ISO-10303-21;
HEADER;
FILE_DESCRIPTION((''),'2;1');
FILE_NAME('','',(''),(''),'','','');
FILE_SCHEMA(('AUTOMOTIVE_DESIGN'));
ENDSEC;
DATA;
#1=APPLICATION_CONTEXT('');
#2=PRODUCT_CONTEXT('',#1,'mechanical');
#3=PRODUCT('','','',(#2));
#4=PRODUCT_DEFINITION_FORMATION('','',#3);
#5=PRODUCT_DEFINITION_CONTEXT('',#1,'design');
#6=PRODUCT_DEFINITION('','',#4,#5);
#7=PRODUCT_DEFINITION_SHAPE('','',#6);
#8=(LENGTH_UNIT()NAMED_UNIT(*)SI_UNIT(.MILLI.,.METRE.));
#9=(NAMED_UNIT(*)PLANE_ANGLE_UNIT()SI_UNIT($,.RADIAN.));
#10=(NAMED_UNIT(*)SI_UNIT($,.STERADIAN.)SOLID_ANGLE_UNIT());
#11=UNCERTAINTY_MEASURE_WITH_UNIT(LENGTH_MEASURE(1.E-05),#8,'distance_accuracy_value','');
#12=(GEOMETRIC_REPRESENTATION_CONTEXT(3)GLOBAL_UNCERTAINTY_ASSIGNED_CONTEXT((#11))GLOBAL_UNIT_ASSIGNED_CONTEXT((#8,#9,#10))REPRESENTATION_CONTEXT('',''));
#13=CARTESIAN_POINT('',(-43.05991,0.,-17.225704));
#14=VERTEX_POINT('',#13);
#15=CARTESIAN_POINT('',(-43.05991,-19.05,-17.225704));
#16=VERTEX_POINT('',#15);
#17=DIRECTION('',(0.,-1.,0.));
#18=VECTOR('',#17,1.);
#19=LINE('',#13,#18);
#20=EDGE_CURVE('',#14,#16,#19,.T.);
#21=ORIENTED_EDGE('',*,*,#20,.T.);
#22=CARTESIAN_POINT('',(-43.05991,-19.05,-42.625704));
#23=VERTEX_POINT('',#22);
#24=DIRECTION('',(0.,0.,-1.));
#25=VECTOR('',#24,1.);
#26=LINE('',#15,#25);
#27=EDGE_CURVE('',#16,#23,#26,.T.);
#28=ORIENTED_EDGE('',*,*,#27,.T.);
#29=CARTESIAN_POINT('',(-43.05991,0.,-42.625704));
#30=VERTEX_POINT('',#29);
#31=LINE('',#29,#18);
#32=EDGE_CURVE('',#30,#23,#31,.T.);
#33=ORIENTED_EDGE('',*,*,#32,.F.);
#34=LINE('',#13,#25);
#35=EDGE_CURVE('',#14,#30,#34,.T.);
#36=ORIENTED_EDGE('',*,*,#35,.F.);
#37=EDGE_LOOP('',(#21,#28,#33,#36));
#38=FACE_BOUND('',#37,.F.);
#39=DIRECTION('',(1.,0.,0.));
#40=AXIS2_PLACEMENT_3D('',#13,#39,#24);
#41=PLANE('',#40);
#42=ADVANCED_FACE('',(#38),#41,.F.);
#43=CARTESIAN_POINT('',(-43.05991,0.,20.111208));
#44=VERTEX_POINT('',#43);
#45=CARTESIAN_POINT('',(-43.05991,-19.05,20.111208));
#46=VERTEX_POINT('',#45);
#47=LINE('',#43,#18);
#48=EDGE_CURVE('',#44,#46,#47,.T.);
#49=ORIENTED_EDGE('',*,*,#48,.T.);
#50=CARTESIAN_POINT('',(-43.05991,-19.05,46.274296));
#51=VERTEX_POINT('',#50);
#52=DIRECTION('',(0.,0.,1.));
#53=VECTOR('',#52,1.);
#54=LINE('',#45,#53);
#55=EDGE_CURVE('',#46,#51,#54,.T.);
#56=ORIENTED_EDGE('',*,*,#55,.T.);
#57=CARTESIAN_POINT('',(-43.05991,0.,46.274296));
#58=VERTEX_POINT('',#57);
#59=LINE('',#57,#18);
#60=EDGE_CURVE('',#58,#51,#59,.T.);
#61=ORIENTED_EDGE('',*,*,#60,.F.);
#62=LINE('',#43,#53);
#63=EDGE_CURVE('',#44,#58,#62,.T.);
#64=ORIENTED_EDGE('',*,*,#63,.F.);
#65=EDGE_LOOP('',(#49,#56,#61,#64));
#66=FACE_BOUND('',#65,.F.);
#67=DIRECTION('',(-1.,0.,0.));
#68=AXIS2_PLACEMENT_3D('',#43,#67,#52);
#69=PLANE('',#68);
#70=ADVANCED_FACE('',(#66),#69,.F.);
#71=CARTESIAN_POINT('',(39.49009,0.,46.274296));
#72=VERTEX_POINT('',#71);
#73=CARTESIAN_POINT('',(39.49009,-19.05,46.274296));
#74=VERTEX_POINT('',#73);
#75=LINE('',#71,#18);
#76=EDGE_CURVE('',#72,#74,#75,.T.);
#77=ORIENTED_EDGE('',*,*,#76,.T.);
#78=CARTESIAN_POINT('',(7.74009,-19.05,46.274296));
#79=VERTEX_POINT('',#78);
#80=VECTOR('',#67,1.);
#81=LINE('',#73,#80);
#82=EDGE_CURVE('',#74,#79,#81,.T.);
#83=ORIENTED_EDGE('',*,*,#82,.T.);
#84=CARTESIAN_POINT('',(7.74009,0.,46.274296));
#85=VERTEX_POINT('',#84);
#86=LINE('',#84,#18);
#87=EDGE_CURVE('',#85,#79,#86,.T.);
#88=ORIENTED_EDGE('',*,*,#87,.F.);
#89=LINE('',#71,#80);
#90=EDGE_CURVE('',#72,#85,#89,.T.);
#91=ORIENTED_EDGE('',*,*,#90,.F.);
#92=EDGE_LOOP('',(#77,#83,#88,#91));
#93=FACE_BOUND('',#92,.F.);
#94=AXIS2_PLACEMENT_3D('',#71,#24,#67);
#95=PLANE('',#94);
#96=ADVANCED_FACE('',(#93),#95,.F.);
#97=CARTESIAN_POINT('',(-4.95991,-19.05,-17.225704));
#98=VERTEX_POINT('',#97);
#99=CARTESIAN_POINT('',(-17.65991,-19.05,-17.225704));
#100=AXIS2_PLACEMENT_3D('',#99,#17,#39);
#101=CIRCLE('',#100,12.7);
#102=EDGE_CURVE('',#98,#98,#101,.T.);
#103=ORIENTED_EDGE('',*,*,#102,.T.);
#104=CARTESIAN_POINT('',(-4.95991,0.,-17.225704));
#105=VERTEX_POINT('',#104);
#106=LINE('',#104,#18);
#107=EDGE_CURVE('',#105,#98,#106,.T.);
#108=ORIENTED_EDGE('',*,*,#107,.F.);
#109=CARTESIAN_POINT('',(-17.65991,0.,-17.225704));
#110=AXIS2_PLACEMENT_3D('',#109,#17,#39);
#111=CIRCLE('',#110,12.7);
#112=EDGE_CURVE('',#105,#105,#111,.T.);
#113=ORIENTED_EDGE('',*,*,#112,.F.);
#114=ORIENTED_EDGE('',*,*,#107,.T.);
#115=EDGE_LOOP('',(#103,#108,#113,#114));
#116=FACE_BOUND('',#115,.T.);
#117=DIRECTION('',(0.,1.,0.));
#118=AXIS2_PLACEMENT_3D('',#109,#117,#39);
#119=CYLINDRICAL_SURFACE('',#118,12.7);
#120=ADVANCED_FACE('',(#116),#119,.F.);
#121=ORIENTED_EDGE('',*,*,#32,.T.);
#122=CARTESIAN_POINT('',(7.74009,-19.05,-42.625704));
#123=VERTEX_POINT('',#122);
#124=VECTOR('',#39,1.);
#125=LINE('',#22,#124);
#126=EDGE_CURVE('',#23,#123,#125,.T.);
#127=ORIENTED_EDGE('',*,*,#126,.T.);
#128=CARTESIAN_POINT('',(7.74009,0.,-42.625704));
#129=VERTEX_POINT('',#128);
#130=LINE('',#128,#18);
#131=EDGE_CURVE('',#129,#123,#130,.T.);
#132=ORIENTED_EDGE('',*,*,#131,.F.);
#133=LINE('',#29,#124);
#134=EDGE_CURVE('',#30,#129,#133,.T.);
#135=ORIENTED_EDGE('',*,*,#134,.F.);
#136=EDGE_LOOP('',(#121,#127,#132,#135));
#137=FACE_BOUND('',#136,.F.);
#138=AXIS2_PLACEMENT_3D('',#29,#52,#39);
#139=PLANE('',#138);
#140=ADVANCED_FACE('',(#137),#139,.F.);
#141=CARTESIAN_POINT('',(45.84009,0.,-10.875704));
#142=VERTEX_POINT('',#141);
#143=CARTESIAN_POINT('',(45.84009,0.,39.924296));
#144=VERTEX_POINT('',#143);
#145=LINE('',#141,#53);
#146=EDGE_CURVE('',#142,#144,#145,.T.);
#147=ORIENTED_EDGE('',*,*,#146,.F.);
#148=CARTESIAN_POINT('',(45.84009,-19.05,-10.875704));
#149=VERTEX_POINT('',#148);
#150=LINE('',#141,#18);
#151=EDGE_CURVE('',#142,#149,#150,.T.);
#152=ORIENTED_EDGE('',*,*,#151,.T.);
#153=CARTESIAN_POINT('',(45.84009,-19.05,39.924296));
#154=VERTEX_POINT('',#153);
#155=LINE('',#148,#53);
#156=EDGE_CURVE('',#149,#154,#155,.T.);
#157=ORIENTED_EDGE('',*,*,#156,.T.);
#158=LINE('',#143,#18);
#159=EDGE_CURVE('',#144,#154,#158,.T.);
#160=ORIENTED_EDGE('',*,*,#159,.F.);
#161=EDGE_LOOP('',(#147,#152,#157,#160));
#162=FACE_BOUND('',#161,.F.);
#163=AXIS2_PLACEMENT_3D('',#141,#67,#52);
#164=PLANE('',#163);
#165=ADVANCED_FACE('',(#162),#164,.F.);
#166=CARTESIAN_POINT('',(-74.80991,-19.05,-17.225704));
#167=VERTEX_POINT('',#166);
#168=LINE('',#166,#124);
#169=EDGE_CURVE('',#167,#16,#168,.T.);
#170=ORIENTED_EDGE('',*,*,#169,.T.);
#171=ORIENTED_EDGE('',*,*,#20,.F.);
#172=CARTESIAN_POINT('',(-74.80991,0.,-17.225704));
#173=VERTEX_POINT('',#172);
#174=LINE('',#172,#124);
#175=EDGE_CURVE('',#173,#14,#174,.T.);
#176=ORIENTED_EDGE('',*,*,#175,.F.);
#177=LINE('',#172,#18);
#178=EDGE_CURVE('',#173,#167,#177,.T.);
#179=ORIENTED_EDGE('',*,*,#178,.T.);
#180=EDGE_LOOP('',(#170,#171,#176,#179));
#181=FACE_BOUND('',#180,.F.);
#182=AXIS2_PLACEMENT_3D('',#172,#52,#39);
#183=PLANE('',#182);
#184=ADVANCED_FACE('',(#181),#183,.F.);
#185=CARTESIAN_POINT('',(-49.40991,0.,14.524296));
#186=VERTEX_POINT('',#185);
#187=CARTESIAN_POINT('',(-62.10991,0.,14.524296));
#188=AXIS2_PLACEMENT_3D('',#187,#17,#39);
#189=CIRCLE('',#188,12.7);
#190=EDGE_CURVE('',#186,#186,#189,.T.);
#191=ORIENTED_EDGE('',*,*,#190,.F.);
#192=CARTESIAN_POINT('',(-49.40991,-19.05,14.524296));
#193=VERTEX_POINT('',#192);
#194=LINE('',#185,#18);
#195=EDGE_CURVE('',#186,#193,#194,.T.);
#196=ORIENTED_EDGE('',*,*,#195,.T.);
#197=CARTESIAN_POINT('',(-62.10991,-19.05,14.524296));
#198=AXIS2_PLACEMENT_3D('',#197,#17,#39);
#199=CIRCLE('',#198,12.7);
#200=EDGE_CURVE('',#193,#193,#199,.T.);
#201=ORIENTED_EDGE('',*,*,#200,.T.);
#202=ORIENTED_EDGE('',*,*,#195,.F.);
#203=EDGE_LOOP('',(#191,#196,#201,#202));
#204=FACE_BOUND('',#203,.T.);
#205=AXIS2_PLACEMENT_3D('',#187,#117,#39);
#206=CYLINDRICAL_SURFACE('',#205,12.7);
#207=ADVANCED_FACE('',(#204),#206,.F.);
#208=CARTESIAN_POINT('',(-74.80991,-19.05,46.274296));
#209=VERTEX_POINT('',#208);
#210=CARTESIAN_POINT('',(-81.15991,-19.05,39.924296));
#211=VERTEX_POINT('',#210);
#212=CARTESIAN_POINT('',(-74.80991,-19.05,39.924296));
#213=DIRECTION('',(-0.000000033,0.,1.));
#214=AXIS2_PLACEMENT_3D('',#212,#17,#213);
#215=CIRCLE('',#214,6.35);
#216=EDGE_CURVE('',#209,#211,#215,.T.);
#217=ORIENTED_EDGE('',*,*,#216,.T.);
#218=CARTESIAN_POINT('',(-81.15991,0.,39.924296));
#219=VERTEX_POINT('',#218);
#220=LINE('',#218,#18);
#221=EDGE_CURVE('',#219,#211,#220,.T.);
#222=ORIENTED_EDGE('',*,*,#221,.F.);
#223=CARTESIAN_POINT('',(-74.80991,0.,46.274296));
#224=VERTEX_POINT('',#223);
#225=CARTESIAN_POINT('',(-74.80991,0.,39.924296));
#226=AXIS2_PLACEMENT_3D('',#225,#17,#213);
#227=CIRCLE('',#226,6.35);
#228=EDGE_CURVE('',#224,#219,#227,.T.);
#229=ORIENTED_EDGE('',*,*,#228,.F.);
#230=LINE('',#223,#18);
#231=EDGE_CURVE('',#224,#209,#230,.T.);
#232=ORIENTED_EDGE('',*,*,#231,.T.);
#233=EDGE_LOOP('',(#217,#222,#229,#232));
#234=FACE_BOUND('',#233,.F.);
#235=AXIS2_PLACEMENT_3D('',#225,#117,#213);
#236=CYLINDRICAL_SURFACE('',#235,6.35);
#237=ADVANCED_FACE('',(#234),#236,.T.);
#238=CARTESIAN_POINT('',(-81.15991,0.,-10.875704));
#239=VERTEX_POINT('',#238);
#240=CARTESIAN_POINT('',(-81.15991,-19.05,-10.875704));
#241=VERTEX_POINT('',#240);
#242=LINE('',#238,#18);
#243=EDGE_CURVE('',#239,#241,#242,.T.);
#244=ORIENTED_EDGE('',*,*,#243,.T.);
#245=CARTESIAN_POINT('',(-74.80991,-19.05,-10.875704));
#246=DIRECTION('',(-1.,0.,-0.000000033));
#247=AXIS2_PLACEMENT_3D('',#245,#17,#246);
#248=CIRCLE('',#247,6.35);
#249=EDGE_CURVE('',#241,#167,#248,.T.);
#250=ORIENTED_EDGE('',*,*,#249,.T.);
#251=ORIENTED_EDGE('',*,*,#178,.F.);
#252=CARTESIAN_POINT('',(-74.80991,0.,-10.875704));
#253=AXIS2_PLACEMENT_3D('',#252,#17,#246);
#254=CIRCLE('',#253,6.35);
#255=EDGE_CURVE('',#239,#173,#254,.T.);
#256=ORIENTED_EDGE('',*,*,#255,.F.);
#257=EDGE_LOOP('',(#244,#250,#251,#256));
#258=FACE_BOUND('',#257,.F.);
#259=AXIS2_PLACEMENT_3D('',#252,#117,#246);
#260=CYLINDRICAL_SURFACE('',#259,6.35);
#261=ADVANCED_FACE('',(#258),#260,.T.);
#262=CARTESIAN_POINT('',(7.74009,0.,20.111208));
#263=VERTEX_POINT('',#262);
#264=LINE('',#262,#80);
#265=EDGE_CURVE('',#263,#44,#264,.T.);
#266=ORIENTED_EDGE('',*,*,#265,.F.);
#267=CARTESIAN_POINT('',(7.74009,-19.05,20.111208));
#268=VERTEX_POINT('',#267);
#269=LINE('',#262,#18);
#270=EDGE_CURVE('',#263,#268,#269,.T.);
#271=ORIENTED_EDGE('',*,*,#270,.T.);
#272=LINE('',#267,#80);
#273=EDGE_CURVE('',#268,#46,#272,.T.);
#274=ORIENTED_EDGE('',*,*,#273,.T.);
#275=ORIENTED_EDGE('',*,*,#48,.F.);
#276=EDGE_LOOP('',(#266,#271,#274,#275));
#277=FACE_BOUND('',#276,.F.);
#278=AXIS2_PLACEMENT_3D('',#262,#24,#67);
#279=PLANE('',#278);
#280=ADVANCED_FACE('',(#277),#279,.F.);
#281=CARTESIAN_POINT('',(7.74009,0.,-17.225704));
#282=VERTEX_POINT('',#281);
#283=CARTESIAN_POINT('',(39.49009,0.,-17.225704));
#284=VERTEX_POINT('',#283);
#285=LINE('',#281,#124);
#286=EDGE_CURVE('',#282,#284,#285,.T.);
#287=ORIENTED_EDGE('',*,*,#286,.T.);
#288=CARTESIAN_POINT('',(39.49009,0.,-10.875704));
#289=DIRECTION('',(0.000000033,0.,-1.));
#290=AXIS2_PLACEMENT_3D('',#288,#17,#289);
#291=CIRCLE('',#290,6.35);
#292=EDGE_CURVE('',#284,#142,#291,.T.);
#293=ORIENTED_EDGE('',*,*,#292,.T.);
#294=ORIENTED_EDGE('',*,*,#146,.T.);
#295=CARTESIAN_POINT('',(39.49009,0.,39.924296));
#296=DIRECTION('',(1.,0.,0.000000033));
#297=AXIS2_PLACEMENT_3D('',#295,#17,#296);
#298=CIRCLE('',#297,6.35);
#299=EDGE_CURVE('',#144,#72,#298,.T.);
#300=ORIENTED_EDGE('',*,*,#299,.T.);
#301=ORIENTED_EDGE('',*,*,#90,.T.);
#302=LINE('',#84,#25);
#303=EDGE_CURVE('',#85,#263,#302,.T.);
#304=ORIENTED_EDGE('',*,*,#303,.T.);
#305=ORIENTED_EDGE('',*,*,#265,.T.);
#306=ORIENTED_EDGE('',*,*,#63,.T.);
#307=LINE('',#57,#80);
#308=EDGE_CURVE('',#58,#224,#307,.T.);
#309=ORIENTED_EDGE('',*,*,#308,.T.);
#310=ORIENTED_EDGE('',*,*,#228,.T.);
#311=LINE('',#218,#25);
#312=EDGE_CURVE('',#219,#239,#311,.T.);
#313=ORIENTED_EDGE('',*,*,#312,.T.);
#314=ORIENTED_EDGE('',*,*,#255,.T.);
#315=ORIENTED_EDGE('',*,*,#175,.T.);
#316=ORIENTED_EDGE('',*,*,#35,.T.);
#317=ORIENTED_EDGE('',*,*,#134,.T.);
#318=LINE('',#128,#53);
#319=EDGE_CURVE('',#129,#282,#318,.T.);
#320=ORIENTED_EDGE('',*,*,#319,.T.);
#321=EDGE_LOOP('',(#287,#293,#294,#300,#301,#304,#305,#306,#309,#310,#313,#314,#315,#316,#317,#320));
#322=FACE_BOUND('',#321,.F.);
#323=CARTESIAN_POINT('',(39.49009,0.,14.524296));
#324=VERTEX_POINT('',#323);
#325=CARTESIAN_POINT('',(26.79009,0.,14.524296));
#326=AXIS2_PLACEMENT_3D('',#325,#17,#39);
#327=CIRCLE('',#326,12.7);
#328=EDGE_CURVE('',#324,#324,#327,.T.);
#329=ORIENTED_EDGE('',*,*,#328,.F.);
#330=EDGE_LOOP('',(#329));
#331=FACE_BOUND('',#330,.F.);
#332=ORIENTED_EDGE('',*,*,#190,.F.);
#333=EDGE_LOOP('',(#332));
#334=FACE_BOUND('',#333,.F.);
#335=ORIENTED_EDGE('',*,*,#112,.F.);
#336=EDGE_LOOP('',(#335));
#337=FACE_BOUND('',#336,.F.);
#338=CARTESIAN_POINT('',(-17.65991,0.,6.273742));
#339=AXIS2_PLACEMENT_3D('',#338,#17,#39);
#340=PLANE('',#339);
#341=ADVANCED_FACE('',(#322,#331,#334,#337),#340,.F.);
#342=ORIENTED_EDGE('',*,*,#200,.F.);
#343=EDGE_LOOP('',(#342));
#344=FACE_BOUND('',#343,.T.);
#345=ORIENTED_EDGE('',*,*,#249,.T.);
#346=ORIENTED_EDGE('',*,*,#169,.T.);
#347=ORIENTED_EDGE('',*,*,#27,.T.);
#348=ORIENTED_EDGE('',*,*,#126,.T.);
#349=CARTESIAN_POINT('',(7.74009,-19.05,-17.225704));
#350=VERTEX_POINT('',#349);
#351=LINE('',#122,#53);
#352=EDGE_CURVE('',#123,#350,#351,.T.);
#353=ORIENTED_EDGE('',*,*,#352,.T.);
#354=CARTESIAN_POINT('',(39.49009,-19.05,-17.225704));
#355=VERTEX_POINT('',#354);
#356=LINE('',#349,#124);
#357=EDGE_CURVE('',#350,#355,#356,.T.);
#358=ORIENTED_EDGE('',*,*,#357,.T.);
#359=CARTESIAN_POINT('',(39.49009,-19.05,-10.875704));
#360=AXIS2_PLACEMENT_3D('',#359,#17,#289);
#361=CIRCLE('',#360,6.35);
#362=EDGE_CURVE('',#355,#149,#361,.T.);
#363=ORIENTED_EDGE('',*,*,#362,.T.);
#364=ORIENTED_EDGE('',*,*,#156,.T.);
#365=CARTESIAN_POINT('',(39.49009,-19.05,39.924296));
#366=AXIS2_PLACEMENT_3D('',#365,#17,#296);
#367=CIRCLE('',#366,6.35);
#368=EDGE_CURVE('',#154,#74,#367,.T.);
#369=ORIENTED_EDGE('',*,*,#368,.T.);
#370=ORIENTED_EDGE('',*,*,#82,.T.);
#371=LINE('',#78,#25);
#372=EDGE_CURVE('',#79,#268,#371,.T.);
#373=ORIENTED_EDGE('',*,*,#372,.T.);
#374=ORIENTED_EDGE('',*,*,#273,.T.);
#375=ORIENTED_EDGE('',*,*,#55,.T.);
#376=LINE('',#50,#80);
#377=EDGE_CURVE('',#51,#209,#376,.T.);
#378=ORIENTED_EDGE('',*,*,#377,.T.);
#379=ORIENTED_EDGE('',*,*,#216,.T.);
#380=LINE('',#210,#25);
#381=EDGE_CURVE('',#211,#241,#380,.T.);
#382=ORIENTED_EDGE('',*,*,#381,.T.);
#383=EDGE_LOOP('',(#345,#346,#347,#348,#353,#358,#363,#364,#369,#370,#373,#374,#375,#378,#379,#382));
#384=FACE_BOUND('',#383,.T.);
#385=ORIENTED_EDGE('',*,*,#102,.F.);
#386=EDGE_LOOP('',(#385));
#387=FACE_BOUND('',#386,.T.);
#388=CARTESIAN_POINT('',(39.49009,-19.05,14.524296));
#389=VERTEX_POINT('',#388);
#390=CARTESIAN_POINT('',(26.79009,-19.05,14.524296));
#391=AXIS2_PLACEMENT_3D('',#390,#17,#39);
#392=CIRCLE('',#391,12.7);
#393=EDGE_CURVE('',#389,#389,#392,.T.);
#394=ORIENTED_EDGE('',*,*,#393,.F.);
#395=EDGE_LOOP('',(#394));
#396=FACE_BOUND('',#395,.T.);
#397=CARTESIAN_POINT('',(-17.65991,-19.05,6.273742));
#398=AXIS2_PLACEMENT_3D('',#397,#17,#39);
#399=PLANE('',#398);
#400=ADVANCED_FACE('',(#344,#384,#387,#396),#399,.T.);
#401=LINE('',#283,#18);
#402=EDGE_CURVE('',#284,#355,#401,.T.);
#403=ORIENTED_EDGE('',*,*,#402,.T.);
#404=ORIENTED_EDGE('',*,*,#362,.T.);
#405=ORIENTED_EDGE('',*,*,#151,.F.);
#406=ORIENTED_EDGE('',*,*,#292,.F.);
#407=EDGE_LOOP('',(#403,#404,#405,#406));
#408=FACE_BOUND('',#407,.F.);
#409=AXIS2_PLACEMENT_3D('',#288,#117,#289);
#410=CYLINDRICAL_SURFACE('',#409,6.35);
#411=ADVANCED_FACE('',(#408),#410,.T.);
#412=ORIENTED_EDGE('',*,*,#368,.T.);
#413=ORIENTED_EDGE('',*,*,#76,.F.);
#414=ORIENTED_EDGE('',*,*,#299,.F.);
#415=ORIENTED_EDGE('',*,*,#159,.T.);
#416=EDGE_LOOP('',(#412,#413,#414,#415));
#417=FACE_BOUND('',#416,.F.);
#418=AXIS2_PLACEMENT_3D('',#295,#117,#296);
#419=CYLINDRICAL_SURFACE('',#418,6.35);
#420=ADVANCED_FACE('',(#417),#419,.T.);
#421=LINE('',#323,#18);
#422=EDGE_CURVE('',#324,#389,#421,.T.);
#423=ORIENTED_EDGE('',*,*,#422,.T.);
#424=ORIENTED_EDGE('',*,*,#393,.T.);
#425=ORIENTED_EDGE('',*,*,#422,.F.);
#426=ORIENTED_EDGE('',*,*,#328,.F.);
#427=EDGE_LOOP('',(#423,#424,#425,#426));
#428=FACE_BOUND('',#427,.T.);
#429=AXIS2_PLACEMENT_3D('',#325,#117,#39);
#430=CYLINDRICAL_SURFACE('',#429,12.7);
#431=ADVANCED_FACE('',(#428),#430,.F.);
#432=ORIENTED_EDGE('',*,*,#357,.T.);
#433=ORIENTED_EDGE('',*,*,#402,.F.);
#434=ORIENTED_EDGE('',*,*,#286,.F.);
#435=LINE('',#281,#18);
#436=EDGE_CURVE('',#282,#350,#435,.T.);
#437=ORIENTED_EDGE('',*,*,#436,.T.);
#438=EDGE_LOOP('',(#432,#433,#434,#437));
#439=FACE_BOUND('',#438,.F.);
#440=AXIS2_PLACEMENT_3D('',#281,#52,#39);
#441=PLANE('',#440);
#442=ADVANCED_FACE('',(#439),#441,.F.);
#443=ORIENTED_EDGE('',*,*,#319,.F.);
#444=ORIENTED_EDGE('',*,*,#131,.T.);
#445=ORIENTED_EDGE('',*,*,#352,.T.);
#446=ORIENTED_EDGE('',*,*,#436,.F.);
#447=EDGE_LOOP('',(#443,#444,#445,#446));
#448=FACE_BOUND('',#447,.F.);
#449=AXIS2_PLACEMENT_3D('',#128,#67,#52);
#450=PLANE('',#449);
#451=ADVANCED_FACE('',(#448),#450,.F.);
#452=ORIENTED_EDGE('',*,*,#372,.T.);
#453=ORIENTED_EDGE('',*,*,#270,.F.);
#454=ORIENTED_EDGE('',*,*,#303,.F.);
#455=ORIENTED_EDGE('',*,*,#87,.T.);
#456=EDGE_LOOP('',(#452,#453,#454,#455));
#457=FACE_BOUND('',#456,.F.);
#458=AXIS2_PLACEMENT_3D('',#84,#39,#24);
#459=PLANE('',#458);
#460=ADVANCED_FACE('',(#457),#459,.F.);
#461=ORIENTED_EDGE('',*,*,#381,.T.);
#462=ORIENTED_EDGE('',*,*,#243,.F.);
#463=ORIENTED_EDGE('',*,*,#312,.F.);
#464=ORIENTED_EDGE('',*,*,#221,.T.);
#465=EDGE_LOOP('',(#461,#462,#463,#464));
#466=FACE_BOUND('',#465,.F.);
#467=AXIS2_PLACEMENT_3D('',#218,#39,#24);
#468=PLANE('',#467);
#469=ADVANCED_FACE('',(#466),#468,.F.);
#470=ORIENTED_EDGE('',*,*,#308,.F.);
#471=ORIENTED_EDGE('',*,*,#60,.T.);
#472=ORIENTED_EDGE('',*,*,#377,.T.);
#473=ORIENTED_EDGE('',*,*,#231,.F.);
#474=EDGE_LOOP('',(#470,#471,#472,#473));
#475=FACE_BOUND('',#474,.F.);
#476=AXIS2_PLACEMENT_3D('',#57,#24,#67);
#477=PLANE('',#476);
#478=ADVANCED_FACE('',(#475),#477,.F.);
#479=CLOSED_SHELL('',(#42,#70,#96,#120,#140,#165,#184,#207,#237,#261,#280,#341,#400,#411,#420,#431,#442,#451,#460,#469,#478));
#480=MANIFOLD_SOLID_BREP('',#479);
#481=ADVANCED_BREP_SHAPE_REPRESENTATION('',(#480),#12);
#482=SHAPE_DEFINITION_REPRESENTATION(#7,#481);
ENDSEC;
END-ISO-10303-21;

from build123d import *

# Parameters (mm, degrees)
F0_R     = 12.7
F1_DEPTH = 19.05


with BuildPart() as f1:
    # F0 (on Front) → F1 (new body)
    with BuildSketch(Plane.XZ):
        with BuildLine():
            Line((-43.05991, 46.274296), (-74.80991, 46.274296))
            ThreePointArc((-74.80991, 46.274296), (-79.300038, 44.414424), (-81.15991, 39.924296))
            Line((-81.15991, 39.924296), (-81.15991, -10.875704))
            ThreePointArc((-81.15991, -10.875704), (-79.300038, -15.365832), (-74.80991, -17.225704))
            Line((-74.80991, -17.225704), (-43.05991, -17.225704))
            Line((-43.05991, -17.225704), (-43.05991, -42.625704))
            Line((-43.05991, -42.625704), (7.74009, -42.625704))
            Line((7.74009, -42.625704), (7.74009, -17.225704))
            Line((7.74009, -17.225704), (39.49009, -17.225704))
            ThreePointArc((39.49009, -17.225704), (43.980218, -15.365832), (45.84009, -10.875704))
            Line((45.84009, -10.875704), (45.84009, 39.924296))
            ThreePointArc((45.84009, 39.924296), (43.980218, 44.414424), (39.49009, 46.274296))
            Line((39.49009, 46.274296), (7.74009, 46.274296))
            Line((7.74009, 46.274296), (7.74009, 20.111208))
            Line((7.74009, 20.111208), (-43.05991, 20.111208))
            Line((-43.05991, 20.111208), (-43.05991, 46.274296))
        make_face()
        with Locations((-17.65991, -17.225704)):
            Circle(F0_R, mode=Mode.SUBTRACT)
        with Locations((-62.10991, 14.524296)):
            Circle(F0_R, mode=Mode.SUBTRACT)
        with Locations((26.79009, 14.524296)):
            Circle(F0_R, mode=Mode.SUBTRACT)
    extrude(amount=F1_DEPTH)


solid = f1.part
